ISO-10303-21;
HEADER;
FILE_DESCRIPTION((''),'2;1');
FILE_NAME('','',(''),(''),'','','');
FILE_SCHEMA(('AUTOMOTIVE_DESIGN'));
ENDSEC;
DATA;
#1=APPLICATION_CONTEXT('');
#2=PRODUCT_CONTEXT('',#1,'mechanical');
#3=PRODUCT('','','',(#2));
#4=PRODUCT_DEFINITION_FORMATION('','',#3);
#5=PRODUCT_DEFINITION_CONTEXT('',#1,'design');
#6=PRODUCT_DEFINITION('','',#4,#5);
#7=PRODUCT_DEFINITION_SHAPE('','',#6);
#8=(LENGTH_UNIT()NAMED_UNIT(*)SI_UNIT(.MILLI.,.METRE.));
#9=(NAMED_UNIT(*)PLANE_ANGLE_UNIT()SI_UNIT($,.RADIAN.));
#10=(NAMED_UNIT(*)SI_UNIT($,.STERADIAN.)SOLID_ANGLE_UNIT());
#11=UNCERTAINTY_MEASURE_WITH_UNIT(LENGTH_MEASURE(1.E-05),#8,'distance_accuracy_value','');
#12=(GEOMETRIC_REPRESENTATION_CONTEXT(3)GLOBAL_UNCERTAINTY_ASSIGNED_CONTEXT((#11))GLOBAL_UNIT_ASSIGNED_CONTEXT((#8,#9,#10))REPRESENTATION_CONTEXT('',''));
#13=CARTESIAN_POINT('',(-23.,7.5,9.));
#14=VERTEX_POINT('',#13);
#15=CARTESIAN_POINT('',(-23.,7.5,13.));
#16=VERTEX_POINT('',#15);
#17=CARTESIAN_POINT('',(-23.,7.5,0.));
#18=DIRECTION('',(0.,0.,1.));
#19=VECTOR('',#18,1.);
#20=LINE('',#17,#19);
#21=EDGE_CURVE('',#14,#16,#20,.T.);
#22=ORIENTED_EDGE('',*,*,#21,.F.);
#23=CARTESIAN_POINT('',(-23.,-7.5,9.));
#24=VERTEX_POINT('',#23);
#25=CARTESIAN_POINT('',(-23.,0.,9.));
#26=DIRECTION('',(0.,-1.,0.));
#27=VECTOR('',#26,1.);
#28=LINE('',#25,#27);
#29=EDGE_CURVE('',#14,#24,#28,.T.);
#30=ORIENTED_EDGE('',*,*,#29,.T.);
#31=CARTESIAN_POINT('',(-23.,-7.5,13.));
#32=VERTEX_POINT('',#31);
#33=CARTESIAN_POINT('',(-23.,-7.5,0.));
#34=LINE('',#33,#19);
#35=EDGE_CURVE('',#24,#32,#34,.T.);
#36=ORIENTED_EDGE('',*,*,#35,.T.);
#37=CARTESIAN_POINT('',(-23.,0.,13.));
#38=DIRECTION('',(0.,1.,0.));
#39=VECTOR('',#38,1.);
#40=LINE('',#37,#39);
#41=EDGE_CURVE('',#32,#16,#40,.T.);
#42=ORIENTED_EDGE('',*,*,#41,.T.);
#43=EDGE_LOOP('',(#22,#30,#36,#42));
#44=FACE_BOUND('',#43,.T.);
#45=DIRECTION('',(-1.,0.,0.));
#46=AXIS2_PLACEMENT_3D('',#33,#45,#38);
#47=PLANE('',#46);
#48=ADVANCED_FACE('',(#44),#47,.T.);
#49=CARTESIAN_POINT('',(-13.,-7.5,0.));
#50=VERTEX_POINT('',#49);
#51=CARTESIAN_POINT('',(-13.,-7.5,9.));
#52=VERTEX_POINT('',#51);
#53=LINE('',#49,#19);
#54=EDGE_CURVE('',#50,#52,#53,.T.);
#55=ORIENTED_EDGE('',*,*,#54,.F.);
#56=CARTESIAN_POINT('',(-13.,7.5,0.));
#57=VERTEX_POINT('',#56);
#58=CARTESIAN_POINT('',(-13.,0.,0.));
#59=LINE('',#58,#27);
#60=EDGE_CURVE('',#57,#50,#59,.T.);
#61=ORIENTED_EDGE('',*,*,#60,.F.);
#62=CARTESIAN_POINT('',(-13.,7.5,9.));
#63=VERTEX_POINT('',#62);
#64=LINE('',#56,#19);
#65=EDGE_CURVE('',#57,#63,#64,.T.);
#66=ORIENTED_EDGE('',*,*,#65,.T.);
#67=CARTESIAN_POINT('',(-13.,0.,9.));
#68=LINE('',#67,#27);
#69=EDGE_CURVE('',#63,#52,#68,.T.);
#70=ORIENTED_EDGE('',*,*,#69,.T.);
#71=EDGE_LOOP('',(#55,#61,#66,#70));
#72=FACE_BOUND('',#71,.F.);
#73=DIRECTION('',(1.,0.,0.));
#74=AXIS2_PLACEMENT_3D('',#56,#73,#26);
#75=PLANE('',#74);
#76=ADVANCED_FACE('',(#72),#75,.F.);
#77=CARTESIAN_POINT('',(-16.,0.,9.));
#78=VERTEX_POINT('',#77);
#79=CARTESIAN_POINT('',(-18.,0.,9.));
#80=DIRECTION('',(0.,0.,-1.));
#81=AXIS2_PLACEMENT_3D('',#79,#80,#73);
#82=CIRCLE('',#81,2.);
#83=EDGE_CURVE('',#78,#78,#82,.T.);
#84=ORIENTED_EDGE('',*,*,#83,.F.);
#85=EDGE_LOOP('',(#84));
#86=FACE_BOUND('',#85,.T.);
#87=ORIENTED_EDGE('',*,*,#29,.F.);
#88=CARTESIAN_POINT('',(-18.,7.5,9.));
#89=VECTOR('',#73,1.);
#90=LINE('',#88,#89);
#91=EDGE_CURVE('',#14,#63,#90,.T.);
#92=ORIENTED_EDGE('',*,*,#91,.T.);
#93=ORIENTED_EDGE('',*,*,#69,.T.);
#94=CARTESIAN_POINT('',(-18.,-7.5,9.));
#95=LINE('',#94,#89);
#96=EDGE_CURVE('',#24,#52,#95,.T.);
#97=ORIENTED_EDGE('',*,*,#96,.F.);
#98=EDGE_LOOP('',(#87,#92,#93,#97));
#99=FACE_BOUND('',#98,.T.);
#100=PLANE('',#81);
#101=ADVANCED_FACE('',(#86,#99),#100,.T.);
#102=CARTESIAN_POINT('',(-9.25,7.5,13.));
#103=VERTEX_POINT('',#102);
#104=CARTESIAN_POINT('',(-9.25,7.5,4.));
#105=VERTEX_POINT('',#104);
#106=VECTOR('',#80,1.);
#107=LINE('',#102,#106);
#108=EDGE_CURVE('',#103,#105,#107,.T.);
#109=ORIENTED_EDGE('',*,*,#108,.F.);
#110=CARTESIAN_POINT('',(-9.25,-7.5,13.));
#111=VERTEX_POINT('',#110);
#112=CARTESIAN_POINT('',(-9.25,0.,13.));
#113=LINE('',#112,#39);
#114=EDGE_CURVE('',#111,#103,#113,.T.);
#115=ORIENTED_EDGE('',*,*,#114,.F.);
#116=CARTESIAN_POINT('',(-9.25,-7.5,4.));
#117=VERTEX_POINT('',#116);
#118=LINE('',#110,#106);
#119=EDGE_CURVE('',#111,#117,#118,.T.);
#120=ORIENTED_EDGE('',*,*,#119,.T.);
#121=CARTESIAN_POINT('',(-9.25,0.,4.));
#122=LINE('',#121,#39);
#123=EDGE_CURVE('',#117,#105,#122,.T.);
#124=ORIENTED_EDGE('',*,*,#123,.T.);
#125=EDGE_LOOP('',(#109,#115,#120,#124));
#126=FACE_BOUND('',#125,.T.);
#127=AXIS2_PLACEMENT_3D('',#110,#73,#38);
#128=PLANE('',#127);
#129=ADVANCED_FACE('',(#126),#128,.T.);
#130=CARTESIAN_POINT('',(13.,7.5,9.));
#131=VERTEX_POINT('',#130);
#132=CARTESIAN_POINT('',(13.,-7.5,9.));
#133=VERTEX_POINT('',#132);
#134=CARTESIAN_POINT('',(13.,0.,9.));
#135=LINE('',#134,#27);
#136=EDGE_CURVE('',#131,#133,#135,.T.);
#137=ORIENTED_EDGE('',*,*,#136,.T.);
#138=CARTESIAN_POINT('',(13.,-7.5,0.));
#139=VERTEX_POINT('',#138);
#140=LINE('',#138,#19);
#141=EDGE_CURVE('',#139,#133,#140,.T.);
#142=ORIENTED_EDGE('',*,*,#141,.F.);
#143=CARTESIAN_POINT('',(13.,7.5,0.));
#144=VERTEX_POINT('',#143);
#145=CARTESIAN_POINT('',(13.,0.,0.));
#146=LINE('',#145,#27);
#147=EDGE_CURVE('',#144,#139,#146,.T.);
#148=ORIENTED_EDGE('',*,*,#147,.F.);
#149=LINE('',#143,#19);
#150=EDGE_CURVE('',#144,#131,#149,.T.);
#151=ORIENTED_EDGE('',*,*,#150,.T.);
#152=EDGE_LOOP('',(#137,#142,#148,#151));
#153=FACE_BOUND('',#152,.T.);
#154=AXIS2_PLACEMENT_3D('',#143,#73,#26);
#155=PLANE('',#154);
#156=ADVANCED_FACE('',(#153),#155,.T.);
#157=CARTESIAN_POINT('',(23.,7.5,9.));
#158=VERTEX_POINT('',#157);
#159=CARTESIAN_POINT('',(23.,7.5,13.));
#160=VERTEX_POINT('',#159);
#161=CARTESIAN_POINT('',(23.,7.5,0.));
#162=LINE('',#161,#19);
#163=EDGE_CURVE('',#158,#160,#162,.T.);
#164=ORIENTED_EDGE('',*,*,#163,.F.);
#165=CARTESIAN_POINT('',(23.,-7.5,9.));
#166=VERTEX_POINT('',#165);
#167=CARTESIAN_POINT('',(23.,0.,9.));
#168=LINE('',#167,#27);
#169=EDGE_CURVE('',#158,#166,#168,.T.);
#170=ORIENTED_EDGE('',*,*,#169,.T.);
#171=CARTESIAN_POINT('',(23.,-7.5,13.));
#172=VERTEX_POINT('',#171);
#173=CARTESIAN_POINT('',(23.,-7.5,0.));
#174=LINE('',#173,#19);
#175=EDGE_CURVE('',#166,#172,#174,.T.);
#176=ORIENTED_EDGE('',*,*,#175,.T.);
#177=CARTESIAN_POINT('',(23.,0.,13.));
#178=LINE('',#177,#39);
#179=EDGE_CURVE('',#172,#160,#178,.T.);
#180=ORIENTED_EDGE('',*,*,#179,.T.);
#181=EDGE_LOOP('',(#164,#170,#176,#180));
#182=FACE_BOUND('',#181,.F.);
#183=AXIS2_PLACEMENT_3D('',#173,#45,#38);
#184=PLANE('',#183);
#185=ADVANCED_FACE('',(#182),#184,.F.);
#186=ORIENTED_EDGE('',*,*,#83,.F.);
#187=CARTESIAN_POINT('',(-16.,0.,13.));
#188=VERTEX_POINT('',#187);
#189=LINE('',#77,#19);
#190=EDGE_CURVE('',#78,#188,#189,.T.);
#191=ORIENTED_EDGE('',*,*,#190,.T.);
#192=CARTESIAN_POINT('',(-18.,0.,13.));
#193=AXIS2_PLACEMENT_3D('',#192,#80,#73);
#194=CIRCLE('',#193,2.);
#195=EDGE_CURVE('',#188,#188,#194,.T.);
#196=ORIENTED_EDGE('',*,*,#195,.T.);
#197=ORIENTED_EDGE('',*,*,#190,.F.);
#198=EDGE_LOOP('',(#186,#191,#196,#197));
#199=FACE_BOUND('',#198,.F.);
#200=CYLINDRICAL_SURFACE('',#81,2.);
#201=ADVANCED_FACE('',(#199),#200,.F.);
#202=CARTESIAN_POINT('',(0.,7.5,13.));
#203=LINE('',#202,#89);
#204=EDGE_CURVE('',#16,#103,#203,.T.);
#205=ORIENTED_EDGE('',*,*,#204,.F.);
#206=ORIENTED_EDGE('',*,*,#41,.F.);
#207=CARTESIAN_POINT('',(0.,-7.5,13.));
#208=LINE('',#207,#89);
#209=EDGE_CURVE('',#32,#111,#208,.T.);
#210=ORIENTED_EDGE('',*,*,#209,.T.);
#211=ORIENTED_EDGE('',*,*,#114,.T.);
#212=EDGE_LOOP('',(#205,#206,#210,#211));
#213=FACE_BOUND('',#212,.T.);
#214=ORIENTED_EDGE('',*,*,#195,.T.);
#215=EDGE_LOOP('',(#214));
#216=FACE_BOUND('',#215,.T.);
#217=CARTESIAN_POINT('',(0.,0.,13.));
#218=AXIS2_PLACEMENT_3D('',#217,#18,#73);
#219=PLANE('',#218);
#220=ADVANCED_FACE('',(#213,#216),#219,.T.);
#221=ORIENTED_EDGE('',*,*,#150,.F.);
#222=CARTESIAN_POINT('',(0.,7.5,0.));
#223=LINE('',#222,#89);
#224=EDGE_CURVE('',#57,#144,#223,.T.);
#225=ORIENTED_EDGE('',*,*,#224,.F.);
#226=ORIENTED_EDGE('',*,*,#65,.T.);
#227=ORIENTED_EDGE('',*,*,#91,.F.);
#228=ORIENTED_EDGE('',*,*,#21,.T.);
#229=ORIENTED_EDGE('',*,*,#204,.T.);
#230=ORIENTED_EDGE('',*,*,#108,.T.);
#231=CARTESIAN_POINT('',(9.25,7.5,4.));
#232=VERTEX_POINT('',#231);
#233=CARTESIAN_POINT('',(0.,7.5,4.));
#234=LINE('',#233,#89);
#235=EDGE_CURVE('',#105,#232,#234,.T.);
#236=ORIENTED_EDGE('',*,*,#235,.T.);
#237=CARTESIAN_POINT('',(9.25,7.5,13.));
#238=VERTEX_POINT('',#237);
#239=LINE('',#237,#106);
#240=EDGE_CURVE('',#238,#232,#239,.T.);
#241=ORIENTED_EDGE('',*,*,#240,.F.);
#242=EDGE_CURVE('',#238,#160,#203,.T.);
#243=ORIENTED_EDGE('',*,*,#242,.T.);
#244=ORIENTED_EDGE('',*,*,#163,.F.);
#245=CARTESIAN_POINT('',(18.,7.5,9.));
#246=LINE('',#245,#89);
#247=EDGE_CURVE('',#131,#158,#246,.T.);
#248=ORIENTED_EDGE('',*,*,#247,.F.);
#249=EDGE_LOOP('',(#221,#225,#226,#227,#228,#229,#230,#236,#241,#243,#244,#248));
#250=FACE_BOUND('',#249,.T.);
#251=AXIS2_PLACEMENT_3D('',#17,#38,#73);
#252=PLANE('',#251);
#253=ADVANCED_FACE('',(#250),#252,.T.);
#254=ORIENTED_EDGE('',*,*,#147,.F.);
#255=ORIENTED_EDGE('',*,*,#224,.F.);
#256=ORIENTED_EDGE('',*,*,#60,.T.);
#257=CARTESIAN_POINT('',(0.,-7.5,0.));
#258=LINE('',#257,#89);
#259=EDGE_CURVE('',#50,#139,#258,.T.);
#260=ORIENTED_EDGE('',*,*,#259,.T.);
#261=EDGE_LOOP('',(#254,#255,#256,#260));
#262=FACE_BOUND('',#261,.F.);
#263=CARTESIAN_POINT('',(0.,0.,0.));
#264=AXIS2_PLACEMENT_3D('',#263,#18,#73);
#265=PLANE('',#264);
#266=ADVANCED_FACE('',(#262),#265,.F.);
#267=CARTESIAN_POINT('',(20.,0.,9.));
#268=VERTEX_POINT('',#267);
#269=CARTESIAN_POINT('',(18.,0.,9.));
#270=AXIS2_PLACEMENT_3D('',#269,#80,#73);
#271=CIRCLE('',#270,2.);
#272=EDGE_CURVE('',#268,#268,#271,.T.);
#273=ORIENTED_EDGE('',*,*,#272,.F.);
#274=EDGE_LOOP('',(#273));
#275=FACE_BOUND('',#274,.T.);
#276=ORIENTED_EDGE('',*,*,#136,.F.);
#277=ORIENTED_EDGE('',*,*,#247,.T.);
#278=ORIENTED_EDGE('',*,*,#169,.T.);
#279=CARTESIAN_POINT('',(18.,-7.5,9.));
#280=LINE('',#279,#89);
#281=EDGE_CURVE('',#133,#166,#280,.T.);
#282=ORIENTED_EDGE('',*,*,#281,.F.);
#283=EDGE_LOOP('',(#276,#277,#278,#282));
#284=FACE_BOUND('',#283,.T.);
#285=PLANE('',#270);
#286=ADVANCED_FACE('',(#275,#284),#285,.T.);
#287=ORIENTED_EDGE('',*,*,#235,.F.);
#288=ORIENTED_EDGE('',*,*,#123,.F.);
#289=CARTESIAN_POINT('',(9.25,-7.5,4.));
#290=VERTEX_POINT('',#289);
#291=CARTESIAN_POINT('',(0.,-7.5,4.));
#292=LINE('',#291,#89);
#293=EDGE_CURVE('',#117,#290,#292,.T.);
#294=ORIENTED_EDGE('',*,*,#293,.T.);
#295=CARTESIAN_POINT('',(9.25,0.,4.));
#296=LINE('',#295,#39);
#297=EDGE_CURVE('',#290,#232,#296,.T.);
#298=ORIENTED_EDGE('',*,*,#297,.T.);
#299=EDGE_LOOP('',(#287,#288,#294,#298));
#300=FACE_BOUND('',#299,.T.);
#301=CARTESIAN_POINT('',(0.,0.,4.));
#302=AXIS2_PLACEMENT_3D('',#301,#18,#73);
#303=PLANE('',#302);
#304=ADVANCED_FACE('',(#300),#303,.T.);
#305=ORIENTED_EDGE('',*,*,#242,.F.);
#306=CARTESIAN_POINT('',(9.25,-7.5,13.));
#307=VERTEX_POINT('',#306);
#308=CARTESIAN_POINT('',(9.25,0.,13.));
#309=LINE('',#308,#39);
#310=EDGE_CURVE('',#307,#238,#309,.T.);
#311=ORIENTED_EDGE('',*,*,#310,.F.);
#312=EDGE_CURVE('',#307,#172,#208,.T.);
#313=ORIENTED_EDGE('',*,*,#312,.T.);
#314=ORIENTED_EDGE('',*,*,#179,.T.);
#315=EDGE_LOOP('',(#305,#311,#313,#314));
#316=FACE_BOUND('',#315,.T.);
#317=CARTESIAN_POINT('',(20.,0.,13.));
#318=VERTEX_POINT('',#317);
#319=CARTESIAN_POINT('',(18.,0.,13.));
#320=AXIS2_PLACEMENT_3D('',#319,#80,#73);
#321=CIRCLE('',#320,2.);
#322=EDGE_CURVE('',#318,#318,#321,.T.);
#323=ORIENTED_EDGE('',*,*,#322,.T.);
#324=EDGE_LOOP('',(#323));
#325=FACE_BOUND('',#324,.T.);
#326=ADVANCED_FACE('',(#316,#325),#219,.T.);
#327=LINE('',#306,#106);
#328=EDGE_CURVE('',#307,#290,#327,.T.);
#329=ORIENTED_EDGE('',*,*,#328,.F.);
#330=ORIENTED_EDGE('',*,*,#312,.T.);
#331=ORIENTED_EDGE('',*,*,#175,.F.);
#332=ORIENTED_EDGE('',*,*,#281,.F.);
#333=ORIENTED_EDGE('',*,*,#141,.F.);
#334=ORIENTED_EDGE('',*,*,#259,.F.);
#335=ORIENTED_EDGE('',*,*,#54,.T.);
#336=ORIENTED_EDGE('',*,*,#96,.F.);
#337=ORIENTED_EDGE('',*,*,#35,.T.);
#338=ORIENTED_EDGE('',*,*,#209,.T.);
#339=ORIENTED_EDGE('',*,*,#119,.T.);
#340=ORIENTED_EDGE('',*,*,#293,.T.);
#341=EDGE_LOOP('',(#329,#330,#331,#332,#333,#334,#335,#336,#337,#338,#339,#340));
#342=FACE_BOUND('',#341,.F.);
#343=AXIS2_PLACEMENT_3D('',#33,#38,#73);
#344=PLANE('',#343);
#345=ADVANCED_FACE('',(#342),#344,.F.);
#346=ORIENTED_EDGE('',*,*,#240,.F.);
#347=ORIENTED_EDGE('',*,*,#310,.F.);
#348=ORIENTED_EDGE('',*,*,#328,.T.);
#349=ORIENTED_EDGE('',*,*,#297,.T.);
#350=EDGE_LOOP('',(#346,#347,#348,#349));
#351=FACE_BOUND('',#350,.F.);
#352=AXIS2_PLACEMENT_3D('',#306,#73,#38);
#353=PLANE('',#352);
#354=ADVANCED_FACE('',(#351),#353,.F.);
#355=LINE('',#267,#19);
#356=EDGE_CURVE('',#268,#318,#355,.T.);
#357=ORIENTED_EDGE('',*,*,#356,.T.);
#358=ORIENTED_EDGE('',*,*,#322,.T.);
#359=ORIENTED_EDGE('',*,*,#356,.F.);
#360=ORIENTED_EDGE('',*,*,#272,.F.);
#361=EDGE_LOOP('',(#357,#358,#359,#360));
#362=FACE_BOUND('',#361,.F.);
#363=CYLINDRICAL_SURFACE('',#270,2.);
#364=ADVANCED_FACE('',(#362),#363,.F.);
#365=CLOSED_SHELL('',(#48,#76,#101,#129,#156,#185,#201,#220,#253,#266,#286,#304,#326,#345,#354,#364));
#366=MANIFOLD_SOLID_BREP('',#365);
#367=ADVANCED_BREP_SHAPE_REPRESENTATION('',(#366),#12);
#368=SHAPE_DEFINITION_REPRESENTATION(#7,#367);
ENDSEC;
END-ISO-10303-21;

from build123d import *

# Parameters (mm, degrees)
F0_W     = 46
F0_H     = 15
F1_DEPTH = 13
F2_W     = 18.5
F2_H     = 15
F3_DEPTH = 9
F4_W     = 10
F4_H     = 15
F5_DEPTH = 9
F6_R     = 2
F7_DEPTH = 25


with BuildPart() as f1:
    # F0 (on Top) → F1 (new body)
    with BuildSketch(Plane.XY):
        Rectangle(F0_W, F0_H)
    extrude(amount=F1_DEPTH)

    # F2 (on face) → F3 (cut)
    with BuildSketch(Plane.XY.offset(13)):
        Rectangle(F2_W, F2_H)
    extrude(amount=-F3_DEPTH, mode=Mode.SUBTRACT)

    # F4 (on face) → F5 (cut)
    with BuildSketch(Plane(origin=(0, 0, 0), x_dir=(1, 0, 0), z_dir=(0, 0, -1))):
        with Locations((-18, 0)):
            Rectangle(F4_W, F4_H)
        with Locations((18, 0)):
            Rectangle(F4_W, F4_H)
    extrude(amount=-F5_DEPTH, mode=Mode.SUBTRACT)

    # F6 (on face) → F7 (cut)
    with BuildSketch(Plane(origin=(0, 0, 9), x_dir=(1, 0, 0), z_dir=(0, 0, -1))):
        with Locations((-18, 0)):
            Circle(F6_R)
        with Locations((18, 0)):
            Circle(F6_R)
    extrude(amount=-F7_DEPTH, mode=Mode.SUBTRACT)


solid = f1.part
